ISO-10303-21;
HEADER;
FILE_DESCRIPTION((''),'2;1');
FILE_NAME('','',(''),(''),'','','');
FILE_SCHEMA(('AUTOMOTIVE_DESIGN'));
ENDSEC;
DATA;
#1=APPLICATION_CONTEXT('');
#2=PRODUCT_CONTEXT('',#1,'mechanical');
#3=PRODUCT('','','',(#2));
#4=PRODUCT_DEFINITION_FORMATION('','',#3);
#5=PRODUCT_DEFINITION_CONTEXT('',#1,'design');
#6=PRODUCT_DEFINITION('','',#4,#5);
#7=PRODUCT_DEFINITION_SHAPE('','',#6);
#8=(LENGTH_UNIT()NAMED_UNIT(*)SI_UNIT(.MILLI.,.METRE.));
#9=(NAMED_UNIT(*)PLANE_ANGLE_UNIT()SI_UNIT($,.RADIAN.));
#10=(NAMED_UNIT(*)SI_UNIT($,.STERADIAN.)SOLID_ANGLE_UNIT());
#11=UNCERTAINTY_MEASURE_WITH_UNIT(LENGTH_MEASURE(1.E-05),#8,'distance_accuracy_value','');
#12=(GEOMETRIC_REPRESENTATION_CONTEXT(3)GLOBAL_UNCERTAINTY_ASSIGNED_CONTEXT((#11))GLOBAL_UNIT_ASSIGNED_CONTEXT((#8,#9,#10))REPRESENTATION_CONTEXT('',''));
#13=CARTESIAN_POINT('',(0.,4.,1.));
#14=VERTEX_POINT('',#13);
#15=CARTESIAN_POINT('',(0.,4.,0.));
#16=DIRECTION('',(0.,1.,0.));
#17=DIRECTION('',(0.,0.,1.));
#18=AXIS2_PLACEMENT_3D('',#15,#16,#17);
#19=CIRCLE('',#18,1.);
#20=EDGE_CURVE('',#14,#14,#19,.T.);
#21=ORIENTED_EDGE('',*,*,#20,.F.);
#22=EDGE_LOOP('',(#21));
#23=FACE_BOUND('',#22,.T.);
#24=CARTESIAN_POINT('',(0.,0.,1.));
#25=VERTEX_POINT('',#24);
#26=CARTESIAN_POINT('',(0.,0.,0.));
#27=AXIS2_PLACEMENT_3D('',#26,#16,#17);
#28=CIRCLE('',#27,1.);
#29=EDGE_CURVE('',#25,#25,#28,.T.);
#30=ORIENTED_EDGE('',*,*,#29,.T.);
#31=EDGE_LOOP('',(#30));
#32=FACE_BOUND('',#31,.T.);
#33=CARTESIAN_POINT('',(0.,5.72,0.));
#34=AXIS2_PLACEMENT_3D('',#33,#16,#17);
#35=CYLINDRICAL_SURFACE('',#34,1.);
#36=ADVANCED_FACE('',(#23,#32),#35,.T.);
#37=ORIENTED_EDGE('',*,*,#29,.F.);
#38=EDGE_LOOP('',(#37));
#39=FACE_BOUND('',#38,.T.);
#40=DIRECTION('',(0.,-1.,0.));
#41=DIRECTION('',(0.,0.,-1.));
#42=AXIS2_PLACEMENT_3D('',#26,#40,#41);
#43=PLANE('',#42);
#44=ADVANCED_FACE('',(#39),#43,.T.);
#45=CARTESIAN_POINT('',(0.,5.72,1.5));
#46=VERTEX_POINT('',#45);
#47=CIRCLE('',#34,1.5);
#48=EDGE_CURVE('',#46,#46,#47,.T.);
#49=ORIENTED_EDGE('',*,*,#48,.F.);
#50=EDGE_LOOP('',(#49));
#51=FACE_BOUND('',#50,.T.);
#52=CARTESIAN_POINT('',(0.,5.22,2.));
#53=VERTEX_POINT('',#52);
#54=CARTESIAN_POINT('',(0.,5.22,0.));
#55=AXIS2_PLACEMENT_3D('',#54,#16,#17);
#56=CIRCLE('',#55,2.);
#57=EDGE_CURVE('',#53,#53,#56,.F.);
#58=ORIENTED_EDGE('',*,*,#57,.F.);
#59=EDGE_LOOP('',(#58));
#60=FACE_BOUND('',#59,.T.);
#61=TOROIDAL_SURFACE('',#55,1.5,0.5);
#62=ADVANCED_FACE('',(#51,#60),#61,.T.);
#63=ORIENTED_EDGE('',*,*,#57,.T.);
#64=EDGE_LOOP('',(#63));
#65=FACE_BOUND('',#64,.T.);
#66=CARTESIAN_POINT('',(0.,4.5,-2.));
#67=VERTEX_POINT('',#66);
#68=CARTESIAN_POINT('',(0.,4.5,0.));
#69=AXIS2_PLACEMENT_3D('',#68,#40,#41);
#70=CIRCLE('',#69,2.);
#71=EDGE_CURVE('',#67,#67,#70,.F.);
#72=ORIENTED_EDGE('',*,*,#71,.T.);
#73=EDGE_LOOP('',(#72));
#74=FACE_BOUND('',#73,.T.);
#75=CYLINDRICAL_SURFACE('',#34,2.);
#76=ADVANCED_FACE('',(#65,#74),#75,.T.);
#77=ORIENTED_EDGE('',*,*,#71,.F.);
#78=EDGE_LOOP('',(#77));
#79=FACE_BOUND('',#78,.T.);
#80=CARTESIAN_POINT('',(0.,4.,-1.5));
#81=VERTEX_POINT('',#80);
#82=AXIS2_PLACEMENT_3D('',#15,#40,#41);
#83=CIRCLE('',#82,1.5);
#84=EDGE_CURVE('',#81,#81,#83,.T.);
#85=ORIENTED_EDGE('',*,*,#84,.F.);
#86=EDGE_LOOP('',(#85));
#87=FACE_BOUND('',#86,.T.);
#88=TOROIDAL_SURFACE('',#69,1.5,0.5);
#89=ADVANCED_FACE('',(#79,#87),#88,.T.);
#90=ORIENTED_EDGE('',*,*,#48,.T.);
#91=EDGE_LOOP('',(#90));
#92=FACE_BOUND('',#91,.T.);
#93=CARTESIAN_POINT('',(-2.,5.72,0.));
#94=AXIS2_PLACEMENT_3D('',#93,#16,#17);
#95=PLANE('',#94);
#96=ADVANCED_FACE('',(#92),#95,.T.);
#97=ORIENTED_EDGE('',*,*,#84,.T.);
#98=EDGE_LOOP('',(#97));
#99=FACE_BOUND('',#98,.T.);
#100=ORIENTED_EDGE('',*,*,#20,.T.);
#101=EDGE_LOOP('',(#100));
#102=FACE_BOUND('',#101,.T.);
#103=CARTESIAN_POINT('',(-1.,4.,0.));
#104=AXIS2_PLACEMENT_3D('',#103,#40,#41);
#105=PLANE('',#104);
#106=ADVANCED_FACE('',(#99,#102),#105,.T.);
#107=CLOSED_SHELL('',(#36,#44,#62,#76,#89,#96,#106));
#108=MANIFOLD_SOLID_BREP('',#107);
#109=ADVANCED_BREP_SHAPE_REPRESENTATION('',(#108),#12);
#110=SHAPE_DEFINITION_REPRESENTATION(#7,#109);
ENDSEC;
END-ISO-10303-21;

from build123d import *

# Parameters (mm, degrees)
FILLET1_R = 0.5


with BuildPart() as part:
    # Sketch1 → Revolve1 (revolve)
    with BuildSketch(Plane.XY, mode=Mode.PRIVATE) as revolve1_sk:
        Polygon((0, 0), (-1, 0), (-1, 4), (-2, 4), (-2, 5.72), (0, 5.72), align=None)
    revolve(revolve1_sk.sketch.rotate(Axis((0, 5.72, 0), (0, -1, 0)), 270), axis=Axis((0, 5.72, 0), (0, -1, 0)))

    # Fillet1
    fillet1_edges = [part.edges().sort_by_distance(p)[0] for p in [
        (0, 5.72, -2),
        (0, 4, -2),
    ]]
    fillet(fillet1_edges, radius=FILLET1_R)


solid = part.part
